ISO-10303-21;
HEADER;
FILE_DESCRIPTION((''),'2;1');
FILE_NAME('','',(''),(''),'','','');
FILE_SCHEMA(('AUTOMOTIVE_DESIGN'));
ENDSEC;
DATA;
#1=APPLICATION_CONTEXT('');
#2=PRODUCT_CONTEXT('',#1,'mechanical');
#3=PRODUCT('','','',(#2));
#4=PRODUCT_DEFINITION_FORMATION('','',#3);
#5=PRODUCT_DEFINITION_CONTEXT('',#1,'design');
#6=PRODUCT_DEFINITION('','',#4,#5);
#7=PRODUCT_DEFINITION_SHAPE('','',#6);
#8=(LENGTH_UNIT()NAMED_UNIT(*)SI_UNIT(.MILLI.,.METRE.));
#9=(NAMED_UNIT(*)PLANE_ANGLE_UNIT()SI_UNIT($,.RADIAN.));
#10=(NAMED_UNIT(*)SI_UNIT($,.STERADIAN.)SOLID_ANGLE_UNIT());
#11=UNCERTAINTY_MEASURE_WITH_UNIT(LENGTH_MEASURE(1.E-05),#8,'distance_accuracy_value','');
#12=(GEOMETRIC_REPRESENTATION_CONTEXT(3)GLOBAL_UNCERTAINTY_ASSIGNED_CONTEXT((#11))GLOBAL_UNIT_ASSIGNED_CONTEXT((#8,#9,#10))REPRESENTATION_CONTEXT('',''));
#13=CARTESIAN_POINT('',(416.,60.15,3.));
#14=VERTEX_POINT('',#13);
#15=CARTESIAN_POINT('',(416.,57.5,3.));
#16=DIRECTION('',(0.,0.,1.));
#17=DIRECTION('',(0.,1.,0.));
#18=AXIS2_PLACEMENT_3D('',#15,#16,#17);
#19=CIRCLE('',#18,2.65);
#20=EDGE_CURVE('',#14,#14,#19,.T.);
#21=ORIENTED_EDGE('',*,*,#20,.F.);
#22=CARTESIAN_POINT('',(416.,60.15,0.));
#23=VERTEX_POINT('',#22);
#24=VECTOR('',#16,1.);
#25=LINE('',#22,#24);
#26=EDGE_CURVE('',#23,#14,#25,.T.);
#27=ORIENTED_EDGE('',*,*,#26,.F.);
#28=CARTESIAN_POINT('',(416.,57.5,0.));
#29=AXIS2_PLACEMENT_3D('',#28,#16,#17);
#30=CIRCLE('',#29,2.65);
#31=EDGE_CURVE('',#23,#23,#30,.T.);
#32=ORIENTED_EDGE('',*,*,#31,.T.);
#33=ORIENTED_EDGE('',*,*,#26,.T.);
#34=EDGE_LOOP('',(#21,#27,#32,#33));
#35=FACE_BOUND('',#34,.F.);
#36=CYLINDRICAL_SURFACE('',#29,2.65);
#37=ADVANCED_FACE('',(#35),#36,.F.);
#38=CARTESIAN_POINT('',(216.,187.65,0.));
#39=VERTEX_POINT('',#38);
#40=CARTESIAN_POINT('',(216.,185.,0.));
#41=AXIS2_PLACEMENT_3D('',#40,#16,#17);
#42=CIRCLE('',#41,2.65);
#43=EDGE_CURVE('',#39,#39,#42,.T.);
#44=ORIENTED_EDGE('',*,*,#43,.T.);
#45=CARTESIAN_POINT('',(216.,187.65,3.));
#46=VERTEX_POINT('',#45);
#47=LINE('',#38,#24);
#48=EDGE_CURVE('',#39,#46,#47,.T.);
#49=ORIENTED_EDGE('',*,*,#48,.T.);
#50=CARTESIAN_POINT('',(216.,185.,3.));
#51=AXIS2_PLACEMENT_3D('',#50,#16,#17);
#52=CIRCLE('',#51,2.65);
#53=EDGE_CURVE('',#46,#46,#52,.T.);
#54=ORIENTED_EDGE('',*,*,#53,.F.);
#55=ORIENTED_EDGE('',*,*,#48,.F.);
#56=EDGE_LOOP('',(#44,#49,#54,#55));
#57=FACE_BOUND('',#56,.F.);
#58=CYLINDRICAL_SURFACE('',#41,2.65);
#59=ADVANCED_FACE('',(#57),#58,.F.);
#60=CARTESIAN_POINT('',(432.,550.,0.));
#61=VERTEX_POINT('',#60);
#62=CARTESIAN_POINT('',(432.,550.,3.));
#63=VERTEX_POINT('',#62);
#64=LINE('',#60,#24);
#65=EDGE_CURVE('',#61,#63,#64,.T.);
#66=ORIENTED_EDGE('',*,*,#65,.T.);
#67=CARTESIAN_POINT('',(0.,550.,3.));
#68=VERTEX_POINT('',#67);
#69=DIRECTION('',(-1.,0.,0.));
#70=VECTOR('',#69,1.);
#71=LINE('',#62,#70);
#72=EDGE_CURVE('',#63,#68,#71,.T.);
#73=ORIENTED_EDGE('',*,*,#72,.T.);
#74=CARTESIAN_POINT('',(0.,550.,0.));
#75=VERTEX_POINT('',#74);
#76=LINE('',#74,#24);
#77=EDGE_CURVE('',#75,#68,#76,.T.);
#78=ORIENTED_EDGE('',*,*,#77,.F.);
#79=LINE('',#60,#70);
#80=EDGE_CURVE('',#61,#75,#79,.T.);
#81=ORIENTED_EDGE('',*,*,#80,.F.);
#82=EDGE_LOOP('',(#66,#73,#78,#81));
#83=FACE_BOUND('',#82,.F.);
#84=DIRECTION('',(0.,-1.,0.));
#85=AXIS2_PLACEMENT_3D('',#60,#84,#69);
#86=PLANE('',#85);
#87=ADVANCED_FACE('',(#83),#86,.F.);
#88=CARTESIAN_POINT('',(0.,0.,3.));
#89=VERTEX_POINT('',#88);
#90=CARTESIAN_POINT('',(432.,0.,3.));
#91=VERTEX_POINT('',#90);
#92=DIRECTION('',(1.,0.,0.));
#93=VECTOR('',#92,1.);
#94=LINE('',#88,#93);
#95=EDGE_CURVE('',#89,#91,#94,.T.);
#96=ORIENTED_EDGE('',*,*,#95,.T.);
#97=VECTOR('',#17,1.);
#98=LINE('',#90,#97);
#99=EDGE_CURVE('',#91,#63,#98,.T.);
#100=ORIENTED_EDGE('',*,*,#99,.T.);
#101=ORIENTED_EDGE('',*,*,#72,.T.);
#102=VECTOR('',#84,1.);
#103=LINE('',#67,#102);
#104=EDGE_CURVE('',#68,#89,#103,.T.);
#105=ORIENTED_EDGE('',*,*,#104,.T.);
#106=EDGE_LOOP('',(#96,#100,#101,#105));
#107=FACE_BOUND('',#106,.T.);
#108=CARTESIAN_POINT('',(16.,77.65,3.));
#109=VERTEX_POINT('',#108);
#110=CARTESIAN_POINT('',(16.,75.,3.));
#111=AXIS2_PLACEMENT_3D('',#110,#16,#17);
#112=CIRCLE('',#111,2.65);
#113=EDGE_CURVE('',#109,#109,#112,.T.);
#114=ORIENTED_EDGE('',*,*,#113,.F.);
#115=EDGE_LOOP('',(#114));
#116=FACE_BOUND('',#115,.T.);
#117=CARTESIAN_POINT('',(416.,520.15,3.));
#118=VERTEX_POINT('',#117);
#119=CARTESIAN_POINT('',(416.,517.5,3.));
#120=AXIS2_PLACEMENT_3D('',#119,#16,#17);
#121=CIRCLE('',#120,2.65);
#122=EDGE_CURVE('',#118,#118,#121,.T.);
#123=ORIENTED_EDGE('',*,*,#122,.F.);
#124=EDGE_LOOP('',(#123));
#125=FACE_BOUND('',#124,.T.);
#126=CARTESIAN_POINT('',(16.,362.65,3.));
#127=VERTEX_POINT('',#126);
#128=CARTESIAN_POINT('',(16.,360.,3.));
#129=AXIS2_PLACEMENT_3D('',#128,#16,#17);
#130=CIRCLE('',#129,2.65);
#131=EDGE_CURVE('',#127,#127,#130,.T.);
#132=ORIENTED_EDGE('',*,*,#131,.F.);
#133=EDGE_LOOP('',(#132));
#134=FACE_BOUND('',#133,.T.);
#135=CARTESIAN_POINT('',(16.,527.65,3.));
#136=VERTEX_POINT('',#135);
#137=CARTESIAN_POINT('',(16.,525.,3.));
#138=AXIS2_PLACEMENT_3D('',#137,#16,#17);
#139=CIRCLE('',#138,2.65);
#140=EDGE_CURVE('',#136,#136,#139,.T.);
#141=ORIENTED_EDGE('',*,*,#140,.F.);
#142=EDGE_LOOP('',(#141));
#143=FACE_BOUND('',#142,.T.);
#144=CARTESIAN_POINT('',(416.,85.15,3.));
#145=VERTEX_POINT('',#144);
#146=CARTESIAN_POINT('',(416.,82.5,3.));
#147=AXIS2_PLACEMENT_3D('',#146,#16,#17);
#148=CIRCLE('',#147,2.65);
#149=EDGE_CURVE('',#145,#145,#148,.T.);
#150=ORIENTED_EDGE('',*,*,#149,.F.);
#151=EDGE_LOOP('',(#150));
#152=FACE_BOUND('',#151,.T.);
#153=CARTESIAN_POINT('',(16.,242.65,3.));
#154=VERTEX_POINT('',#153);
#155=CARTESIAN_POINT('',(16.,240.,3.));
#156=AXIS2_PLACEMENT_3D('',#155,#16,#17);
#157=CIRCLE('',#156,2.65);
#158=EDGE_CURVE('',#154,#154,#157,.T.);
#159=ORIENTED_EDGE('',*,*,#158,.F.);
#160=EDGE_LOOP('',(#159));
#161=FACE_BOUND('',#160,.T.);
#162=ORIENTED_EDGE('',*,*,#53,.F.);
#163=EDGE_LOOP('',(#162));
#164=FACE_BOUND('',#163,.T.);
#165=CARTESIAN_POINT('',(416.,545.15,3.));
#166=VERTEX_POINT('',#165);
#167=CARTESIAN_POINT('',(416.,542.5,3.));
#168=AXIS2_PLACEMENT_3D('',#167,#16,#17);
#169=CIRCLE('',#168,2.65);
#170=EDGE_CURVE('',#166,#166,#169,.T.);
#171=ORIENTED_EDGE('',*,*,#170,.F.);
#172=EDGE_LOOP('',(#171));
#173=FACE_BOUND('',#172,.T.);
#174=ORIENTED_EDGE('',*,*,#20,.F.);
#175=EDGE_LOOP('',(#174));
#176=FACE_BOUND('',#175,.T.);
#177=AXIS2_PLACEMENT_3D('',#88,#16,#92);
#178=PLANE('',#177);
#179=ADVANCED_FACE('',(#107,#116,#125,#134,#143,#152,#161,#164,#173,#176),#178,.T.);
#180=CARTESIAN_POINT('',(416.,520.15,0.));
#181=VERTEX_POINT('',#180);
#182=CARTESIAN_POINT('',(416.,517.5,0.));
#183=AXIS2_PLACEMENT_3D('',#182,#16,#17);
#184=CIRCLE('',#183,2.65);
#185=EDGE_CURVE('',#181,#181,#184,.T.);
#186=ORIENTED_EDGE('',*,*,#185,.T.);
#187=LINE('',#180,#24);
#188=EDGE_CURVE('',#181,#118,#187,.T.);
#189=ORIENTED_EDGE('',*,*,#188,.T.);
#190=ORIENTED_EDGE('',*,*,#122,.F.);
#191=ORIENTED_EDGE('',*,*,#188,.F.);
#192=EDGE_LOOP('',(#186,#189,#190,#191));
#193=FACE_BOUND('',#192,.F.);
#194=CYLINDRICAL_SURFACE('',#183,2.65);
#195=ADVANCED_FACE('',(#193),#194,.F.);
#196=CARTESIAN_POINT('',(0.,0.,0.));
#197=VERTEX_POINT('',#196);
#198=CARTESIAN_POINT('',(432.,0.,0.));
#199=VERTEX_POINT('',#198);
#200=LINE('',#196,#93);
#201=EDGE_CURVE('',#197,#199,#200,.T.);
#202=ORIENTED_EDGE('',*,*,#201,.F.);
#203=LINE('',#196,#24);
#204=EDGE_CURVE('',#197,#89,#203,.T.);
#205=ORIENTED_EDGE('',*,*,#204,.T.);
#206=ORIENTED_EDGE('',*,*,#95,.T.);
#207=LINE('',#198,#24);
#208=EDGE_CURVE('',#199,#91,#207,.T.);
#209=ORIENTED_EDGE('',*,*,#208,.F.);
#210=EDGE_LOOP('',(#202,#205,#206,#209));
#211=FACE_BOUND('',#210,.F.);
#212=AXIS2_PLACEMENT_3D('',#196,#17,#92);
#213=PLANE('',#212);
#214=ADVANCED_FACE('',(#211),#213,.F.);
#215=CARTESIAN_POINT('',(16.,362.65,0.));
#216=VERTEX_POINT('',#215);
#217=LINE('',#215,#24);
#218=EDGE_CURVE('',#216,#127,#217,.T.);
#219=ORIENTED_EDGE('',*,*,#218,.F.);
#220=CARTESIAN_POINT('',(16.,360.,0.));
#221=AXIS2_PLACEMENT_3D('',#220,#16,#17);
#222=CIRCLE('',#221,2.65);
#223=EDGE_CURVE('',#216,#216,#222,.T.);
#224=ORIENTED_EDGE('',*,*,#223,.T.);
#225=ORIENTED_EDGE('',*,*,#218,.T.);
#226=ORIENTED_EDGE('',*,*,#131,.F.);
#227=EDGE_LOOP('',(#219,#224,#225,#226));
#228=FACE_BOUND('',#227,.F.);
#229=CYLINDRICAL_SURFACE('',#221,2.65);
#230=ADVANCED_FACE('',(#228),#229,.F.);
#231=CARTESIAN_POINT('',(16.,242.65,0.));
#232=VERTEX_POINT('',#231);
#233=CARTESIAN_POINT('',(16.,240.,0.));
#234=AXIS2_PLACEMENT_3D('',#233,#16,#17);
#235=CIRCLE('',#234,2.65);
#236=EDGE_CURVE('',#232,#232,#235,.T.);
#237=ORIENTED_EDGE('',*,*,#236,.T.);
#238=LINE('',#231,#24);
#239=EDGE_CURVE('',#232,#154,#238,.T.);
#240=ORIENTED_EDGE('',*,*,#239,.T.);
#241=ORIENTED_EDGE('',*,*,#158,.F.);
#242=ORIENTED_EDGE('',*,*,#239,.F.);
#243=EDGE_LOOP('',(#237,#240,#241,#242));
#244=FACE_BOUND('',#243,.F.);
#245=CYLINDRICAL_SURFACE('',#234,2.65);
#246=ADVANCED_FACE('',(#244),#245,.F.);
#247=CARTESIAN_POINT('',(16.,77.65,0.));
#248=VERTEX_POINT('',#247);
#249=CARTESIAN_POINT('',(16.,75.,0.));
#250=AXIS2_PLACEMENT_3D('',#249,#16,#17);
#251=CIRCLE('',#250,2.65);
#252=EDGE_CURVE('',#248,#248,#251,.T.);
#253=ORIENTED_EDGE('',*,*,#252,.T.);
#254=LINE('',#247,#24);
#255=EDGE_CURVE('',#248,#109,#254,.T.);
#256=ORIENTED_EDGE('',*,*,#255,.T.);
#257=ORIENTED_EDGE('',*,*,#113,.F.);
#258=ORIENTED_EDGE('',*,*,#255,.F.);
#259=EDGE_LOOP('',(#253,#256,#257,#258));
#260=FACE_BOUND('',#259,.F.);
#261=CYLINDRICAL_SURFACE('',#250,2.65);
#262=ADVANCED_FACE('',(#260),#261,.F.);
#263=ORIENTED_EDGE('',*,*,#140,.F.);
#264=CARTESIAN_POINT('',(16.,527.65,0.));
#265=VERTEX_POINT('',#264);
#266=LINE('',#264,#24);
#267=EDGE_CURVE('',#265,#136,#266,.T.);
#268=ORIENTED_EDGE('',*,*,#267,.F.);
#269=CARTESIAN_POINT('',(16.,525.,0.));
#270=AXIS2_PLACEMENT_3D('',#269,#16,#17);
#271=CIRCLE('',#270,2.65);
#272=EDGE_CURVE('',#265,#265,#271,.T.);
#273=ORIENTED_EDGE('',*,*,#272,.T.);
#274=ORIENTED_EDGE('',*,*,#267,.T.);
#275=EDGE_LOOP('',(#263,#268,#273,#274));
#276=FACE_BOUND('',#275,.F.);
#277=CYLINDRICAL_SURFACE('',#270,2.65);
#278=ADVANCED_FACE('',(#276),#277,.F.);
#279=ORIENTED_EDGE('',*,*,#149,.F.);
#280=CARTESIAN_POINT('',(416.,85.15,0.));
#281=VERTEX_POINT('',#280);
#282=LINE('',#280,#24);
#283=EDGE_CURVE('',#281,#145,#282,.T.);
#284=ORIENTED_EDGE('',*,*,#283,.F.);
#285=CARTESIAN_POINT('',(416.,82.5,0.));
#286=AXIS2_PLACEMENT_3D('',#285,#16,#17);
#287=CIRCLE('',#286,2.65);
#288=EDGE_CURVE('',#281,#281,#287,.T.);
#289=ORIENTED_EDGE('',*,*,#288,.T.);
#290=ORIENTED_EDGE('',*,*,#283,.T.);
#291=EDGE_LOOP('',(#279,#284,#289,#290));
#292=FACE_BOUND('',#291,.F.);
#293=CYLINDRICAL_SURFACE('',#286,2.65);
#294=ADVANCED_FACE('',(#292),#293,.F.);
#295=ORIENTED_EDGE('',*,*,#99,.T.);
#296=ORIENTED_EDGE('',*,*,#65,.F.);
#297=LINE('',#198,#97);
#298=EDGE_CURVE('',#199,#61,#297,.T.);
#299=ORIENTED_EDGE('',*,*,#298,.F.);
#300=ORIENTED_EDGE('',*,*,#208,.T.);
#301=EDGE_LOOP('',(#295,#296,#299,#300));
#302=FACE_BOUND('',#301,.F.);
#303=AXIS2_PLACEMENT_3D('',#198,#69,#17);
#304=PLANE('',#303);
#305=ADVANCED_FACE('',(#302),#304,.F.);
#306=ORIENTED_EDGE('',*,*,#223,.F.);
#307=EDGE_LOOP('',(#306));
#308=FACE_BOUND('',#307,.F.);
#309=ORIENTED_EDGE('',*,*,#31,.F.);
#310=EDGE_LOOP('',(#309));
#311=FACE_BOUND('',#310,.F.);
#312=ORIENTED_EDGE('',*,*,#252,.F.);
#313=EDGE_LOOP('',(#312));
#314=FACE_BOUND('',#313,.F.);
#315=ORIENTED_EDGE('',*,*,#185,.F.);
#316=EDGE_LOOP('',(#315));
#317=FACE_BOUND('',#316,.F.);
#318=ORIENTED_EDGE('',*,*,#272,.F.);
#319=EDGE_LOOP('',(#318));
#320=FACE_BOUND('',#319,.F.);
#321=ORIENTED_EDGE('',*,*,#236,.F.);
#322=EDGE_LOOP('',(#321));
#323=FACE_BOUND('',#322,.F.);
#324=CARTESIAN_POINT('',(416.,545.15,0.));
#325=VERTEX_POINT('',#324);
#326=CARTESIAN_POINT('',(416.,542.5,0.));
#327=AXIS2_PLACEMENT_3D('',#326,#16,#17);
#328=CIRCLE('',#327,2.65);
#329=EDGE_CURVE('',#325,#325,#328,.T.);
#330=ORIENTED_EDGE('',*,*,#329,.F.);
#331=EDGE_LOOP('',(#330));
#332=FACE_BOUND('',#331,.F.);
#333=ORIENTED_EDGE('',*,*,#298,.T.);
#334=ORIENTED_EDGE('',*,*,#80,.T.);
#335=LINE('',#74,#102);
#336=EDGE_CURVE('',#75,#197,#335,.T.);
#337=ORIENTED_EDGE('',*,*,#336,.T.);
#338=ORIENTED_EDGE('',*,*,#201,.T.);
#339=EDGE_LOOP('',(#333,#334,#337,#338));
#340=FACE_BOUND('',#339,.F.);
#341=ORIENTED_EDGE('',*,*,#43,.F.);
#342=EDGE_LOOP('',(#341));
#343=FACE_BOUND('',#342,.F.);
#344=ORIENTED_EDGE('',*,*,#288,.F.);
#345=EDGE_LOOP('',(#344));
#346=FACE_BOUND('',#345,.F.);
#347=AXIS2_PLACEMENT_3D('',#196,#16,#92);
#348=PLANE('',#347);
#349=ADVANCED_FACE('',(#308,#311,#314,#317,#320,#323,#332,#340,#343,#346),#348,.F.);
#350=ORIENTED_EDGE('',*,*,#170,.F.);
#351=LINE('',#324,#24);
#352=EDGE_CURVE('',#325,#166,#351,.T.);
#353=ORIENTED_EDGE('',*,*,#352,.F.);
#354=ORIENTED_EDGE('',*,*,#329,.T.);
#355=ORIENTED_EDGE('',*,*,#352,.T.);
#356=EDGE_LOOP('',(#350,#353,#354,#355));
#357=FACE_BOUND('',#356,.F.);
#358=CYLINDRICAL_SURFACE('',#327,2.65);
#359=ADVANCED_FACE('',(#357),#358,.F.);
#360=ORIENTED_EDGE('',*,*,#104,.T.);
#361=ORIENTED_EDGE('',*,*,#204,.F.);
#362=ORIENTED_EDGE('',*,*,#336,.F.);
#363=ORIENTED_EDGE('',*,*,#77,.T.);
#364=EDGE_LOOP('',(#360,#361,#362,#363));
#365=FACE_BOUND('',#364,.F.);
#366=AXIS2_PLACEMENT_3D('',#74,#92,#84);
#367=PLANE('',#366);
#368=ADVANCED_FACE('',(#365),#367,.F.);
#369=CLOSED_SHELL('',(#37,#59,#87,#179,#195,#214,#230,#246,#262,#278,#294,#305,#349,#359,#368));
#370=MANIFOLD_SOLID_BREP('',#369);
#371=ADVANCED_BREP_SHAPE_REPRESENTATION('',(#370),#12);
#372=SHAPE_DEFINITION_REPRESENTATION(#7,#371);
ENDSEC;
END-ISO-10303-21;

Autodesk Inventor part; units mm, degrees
ref_plane "YZ Plane" through (0, 0, 0) normal (1, 0, 0) x (0, 1, 0)
ref_plane "XZ Plane" through (0, 0, 0) normal (0, 1, 0) x (-1, 0, 0)
ref_plane "XY Plane" through (0, 0, 0) normal (0, 0, 1) x (1, 0, 0)
sketch "Sketch1" plane through (0, 0, 0) normal (0, 0, 1) x (1, 0, 0)
  line L0 (0, 0) -> (432, 0)
  line L1 (432, 0) -> (432, 550)
  line L2 (432, 550) -> (0, 550)
  line L3 (0, 550) -> (0, 0)
  line L4 (26.4098, 50) -> (392.639, 50) construction
  line L5 (16, 512.9511) -> (16, 47.9511) construction
  line L6 (416, 495.7619) -> (416, 50) construction
  point P0 (416, 542.5)
  point P1 (416, 517.5)
  point P2 (416, 82.5)
  point P3 (416, 57.5)
  point P4 (16, 360)
  point P5 (16, 240)
  point P6 (216, 185)
  point P7 (16, 525)
  point P8 (16, 75)
  dimension "d0" = 432
  dimension "d1" = 550
  dimension "d2" = 7.5
  dimension "d3" = 25
  dimension "d5" = 25
  dimension "d7" = 120
  dimension "d8" = 190
  dimension "d10" = 500
  dimension "d11" = 135
  dimension "d12" = 200
  dimension "d13" = 25
  dimension "d14" = 25
  dimension "d15" = 16
  dimension "d16" = 16
  dimension "d26" = 7.5
extrude "Extrusion1" add sketch "Sketch1" along normal blind 3
hole "Hole1" at (416, 542.5, 0) at (416, 517.5, 0) at (416, 82.5, 0) at (416, 57.5, 0) at (16, 360, 0) at (16, 240, 0) at (216, 185, 0) at (16, 525, 0) at (16, 75, 0) direction (0, 0, 1) diameter 5.3 end through all
properties part number "front_door"
